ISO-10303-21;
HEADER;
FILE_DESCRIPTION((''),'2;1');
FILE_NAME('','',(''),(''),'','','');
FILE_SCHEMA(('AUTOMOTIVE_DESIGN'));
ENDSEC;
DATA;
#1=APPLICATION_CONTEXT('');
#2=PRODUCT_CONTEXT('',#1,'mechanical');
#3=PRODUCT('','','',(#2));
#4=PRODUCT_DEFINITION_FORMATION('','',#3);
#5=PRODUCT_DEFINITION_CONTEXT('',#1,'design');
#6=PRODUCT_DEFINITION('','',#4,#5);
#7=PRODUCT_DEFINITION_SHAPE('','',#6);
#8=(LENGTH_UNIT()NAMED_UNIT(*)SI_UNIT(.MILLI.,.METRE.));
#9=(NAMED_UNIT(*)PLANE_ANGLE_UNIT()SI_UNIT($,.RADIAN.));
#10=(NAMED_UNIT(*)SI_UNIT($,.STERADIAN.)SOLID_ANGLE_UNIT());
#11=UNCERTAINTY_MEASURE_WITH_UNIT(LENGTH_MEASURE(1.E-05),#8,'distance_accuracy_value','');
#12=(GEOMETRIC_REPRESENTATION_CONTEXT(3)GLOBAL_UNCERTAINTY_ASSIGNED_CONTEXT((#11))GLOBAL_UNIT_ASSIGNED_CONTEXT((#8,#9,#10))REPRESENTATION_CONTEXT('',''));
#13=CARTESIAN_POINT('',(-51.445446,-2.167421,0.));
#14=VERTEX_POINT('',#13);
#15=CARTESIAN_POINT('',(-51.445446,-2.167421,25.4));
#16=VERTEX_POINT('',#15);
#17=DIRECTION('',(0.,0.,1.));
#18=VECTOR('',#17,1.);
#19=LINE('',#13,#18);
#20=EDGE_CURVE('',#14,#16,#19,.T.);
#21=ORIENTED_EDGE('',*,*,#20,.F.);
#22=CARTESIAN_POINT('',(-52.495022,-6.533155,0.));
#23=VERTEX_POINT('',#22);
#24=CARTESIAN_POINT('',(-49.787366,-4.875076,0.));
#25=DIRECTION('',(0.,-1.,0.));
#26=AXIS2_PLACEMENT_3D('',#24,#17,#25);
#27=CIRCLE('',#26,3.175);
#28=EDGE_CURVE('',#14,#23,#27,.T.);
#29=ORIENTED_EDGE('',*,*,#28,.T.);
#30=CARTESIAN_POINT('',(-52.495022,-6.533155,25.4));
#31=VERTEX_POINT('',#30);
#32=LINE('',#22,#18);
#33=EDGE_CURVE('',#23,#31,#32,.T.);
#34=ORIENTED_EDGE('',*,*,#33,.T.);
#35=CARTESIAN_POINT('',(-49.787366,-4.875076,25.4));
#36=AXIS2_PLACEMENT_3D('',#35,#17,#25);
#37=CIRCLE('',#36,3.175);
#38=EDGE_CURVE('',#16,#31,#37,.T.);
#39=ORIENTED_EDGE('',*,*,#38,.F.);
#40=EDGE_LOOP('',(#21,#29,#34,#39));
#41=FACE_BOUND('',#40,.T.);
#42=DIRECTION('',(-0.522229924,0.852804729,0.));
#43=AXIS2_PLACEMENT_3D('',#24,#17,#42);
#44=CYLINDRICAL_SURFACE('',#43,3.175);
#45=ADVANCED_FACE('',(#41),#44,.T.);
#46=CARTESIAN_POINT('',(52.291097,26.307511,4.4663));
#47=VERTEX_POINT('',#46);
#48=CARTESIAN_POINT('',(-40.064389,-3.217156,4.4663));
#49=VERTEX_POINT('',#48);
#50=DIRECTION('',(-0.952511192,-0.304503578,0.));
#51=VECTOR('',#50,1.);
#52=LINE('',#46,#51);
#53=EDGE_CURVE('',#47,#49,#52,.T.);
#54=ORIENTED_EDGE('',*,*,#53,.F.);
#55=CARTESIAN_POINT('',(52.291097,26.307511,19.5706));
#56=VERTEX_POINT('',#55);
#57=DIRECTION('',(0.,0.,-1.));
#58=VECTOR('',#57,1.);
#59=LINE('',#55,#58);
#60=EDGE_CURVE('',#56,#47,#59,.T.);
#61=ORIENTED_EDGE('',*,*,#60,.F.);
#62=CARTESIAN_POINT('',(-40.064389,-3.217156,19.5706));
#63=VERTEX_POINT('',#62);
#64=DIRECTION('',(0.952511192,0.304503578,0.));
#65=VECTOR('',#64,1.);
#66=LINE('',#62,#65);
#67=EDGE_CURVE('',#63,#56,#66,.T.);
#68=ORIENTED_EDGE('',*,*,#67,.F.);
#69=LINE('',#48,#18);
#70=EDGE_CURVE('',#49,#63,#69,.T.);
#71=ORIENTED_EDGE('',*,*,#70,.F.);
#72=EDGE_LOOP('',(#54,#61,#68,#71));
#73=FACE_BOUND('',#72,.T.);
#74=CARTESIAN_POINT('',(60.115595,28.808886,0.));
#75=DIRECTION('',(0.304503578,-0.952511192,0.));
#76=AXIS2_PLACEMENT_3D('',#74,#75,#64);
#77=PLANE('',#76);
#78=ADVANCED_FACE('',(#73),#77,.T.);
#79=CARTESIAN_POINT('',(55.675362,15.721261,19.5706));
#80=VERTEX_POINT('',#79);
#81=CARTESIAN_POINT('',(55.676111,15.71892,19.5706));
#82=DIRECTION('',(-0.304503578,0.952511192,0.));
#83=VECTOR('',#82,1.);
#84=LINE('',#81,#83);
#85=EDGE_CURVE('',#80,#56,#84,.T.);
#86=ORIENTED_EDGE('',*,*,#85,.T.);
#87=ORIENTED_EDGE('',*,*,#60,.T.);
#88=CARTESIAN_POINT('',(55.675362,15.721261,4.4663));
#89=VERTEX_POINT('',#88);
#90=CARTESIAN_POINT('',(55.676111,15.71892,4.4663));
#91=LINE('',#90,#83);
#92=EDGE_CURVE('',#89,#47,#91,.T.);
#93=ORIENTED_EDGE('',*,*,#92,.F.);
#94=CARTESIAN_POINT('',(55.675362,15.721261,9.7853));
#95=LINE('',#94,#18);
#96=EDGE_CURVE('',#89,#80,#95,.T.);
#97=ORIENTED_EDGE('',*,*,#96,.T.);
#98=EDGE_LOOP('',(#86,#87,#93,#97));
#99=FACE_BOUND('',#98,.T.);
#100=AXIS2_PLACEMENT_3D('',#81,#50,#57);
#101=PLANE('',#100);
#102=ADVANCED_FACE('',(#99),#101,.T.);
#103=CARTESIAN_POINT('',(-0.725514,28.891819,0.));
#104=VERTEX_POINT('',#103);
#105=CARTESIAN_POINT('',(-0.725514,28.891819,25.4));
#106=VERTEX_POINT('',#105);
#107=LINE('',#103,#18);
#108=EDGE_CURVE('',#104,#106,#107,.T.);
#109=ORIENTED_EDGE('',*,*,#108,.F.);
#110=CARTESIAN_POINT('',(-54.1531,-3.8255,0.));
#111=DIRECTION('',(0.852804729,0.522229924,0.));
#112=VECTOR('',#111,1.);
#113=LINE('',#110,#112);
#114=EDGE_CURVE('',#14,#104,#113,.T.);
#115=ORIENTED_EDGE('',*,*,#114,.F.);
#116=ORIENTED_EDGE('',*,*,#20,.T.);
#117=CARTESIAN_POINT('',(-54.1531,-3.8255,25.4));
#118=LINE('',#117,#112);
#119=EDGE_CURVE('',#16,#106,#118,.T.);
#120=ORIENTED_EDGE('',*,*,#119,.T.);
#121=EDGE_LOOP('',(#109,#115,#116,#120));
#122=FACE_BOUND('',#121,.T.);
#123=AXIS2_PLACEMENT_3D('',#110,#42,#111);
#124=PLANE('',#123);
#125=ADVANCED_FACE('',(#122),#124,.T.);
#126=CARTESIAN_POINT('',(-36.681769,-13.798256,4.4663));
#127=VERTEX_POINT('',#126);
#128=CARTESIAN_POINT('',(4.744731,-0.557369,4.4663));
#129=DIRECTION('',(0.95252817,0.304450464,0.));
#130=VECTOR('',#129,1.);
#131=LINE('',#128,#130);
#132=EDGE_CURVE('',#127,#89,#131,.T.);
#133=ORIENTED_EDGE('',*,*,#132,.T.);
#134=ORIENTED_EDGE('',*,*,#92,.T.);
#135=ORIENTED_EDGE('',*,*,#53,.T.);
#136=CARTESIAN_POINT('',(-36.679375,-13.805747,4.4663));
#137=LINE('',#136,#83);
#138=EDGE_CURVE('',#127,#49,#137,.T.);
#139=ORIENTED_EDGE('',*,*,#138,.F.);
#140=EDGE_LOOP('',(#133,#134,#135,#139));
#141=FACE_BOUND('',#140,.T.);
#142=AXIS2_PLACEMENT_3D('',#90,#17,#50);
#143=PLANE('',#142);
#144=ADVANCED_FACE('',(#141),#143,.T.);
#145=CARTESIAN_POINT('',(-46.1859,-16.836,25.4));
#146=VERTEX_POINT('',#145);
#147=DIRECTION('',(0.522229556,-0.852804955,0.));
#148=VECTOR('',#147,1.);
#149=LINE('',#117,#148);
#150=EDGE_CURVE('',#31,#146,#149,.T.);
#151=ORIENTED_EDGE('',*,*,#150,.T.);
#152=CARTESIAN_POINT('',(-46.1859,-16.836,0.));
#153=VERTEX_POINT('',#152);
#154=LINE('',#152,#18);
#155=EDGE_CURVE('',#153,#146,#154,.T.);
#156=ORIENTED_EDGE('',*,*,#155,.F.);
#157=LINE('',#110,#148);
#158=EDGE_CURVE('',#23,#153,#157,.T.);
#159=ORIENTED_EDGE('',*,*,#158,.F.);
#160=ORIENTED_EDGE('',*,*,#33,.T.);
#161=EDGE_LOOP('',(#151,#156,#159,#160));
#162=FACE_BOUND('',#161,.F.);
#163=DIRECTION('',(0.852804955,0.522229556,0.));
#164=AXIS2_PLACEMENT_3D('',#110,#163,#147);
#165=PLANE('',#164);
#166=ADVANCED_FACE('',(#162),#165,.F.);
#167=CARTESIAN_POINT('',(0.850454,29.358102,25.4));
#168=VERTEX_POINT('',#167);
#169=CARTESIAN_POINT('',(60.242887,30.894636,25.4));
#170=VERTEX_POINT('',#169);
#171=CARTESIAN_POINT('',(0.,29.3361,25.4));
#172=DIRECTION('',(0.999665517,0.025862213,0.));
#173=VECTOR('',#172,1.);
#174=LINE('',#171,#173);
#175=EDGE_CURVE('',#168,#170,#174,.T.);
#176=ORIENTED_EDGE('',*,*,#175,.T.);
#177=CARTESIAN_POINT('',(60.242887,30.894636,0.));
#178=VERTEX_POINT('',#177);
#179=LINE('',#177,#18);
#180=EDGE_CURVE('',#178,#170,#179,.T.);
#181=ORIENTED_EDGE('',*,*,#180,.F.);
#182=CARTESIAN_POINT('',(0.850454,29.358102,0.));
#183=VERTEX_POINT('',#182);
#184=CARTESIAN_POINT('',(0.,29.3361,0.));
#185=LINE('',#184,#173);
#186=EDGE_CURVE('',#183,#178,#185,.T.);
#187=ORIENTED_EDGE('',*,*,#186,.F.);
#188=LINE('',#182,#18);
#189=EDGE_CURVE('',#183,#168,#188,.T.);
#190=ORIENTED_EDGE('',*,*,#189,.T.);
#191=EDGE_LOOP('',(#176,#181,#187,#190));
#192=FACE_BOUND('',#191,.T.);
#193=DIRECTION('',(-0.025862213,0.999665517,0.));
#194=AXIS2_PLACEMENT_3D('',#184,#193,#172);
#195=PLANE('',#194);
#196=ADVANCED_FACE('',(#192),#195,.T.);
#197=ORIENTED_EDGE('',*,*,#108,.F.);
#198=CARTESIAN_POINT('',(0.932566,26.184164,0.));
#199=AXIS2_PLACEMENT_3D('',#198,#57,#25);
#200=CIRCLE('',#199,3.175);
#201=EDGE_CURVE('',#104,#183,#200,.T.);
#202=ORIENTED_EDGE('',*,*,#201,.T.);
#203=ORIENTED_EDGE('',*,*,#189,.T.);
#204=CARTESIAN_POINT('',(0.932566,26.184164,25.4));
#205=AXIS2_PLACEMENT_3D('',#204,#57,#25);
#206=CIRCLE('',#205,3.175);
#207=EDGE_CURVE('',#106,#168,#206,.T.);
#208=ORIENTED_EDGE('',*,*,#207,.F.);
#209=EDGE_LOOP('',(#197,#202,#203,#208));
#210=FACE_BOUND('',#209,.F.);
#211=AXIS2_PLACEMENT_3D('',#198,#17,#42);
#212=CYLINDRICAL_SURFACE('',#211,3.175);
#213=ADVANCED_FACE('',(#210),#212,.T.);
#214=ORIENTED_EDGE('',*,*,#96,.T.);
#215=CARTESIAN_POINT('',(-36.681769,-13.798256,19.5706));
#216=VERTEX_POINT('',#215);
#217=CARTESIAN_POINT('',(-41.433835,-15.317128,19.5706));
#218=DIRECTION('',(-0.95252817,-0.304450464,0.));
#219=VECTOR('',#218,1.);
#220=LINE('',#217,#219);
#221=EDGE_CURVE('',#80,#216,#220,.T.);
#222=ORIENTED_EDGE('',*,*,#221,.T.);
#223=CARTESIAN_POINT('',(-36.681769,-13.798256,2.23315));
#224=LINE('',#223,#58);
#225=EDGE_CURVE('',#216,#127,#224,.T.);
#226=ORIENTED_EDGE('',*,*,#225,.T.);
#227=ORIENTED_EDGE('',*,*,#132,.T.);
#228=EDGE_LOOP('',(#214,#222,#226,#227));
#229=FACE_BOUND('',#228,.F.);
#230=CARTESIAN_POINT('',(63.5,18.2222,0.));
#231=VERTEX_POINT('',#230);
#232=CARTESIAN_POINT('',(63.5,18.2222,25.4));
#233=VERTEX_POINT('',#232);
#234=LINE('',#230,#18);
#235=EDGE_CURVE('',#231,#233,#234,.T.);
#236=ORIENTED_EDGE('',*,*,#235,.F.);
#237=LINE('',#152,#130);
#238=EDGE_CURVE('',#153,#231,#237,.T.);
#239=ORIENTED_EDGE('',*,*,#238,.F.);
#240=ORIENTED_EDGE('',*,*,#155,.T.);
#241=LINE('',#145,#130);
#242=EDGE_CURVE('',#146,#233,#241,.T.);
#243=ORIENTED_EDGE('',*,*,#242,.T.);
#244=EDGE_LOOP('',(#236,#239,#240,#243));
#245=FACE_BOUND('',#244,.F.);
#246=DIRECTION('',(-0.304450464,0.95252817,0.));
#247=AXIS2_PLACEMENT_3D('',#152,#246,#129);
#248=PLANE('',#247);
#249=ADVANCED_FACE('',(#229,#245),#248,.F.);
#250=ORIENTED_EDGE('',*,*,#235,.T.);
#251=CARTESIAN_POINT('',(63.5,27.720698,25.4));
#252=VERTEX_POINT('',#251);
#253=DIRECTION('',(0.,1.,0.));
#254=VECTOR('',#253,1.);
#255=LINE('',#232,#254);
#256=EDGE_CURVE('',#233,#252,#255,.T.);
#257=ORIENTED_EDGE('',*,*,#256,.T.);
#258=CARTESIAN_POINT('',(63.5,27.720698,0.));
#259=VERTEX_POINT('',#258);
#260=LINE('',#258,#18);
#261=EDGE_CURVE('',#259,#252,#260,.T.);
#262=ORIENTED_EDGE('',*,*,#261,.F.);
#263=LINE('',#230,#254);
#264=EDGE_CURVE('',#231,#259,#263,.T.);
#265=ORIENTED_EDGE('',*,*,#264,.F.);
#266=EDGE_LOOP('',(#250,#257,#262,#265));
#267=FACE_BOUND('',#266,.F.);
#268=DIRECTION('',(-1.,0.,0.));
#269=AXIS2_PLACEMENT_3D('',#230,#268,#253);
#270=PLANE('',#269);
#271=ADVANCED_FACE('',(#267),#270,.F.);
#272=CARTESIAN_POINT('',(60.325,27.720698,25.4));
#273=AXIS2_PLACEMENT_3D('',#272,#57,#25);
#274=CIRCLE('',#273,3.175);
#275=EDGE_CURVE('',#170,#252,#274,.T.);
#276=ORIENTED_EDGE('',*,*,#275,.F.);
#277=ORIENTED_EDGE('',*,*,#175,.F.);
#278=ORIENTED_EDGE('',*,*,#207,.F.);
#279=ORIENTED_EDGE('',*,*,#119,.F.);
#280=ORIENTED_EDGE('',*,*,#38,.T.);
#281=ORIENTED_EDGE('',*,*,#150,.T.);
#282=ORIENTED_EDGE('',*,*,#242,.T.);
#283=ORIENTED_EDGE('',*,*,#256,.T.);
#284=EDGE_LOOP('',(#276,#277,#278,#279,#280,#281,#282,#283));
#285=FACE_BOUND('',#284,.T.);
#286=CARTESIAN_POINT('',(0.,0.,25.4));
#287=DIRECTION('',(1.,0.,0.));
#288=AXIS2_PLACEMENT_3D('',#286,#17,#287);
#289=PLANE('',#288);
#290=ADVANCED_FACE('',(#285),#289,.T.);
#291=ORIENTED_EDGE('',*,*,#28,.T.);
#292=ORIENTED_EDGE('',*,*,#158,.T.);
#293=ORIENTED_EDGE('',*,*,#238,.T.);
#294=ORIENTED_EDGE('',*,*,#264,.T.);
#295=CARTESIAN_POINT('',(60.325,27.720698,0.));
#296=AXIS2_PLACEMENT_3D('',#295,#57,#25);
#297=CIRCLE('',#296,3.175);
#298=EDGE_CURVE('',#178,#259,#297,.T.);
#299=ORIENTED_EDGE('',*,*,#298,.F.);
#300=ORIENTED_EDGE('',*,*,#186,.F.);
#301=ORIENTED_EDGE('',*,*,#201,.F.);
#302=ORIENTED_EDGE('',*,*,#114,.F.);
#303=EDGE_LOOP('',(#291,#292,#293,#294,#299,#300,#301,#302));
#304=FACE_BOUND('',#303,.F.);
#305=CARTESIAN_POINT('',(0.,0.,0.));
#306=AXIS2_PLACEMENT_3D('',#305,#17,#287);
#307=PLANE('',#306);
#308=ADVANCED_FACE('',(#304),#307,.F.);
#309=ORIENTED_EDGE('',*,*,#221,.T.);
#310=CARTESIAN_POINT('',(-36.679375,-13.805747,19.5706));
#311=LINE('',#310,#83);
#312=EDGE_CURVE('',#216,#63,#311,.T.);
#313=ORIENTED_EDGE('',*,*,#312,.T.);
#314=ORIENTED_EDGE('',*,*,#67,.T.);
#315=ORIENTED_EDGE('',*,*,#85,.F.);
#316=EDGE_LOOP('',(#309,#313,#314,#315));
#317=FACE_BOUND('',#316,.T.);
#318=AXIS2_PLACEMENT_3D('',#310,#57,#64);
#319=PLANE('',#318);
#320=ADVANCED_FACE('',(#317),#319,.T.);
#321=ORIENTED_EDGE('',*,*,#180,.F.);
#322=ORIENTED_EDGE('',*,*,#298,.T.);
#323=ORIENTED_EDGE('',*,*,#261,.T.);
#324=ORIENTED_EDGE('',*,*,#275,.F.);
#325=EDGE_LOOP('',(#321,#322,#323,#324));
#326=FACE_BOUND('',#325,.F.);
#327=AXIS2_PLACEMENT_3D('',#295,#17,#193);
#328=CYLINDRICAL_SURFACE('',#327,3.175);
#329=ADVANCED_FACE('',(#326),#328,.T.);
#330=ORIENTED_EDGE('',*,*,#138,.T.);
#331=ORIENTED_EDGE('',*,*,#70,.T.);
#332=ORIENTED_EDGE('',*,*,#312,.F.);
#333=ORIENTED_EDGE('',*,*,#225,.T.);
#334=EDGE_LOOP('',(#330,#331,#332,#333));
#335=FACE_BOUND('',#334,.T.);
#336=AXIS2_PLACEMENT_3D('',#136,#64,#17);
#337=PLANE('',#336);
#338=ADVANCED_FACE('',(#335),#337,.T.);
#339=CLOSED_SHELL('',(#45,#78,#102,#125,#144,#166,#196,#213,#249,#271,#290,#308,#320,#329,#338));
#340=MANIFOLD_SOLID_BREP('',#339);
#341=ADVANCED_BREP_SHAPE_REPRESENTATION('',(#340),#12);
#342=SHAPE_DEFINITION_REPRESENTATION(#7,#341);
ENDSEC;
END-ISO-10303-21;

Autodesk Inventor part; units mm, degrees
ref_plane "YZ Plane" through (0, 0, 0) normal (1, 0, 0) x (0, 1, 0)
ref_plane "XZ Plane" through (0, 0, 0) normal (0, 1, 0) x (-1, 0, 0)
ref_plane "XY Plane" through (0, 0, 0) normal (0, 0, 1) x (1, 0, 0)
sketch "Sketch1" plane through (0, 0, 0) normal (0, 0, 1) x (1, 0, 0)
  line L0 (-54.1531, -3.8255) -> (0, 29.3361)
  line L1 (0, 29.3361) -> (63.5, 30.9789)
  line L2 (-54.1531, -3.8255) -> (-46.1859, -16.836)
  line L3 (-46.1859, -16.836) -> (63.5, 18.2222)
  line L4 (63.5, 18.2222) -> (63.5, 30.9789)
  point P0 (0, 0)
  dimension "d0" = 150
  dimension "d1" = 63.5
  dimension "d2" = 63.5
extrude "Extrusion1" add sketch "Sketch1" along normal blind 25.4
fillet "Fillet1" radius 3.175 1 edges at (0, 29.3361, 12.7)
fillet "Fillet2" radius 3.175 1 edges at (63.5, 30.9789, 12.7)
fillet "Fillet3" radius 3.175 1 edges at (-54.1531, -3.8255, 12.7)
sketch "Sketch2" plane through (63.5, 18.2222, 0) normal (0.3045, -0.9525, 0) x (0.9525, 0.3045, 0)
  line L0 (-105.1746, 19.5706) -> (-8.2146, 19.5706)
  line L1 (-8.2146, 19.5706) -> (-8.2146, 4.4663)
  line L2 (-8.2146, 4.4663) -> (-105.1746, 4.4663)
  line L3 (-105.1746, 4.4663) -> (-105.1746, 19.5706)
  point P0 (-66.0333, 0)
extrude "Extrusion2" cut sketch "Sketch2" against normal blind 11.1125
